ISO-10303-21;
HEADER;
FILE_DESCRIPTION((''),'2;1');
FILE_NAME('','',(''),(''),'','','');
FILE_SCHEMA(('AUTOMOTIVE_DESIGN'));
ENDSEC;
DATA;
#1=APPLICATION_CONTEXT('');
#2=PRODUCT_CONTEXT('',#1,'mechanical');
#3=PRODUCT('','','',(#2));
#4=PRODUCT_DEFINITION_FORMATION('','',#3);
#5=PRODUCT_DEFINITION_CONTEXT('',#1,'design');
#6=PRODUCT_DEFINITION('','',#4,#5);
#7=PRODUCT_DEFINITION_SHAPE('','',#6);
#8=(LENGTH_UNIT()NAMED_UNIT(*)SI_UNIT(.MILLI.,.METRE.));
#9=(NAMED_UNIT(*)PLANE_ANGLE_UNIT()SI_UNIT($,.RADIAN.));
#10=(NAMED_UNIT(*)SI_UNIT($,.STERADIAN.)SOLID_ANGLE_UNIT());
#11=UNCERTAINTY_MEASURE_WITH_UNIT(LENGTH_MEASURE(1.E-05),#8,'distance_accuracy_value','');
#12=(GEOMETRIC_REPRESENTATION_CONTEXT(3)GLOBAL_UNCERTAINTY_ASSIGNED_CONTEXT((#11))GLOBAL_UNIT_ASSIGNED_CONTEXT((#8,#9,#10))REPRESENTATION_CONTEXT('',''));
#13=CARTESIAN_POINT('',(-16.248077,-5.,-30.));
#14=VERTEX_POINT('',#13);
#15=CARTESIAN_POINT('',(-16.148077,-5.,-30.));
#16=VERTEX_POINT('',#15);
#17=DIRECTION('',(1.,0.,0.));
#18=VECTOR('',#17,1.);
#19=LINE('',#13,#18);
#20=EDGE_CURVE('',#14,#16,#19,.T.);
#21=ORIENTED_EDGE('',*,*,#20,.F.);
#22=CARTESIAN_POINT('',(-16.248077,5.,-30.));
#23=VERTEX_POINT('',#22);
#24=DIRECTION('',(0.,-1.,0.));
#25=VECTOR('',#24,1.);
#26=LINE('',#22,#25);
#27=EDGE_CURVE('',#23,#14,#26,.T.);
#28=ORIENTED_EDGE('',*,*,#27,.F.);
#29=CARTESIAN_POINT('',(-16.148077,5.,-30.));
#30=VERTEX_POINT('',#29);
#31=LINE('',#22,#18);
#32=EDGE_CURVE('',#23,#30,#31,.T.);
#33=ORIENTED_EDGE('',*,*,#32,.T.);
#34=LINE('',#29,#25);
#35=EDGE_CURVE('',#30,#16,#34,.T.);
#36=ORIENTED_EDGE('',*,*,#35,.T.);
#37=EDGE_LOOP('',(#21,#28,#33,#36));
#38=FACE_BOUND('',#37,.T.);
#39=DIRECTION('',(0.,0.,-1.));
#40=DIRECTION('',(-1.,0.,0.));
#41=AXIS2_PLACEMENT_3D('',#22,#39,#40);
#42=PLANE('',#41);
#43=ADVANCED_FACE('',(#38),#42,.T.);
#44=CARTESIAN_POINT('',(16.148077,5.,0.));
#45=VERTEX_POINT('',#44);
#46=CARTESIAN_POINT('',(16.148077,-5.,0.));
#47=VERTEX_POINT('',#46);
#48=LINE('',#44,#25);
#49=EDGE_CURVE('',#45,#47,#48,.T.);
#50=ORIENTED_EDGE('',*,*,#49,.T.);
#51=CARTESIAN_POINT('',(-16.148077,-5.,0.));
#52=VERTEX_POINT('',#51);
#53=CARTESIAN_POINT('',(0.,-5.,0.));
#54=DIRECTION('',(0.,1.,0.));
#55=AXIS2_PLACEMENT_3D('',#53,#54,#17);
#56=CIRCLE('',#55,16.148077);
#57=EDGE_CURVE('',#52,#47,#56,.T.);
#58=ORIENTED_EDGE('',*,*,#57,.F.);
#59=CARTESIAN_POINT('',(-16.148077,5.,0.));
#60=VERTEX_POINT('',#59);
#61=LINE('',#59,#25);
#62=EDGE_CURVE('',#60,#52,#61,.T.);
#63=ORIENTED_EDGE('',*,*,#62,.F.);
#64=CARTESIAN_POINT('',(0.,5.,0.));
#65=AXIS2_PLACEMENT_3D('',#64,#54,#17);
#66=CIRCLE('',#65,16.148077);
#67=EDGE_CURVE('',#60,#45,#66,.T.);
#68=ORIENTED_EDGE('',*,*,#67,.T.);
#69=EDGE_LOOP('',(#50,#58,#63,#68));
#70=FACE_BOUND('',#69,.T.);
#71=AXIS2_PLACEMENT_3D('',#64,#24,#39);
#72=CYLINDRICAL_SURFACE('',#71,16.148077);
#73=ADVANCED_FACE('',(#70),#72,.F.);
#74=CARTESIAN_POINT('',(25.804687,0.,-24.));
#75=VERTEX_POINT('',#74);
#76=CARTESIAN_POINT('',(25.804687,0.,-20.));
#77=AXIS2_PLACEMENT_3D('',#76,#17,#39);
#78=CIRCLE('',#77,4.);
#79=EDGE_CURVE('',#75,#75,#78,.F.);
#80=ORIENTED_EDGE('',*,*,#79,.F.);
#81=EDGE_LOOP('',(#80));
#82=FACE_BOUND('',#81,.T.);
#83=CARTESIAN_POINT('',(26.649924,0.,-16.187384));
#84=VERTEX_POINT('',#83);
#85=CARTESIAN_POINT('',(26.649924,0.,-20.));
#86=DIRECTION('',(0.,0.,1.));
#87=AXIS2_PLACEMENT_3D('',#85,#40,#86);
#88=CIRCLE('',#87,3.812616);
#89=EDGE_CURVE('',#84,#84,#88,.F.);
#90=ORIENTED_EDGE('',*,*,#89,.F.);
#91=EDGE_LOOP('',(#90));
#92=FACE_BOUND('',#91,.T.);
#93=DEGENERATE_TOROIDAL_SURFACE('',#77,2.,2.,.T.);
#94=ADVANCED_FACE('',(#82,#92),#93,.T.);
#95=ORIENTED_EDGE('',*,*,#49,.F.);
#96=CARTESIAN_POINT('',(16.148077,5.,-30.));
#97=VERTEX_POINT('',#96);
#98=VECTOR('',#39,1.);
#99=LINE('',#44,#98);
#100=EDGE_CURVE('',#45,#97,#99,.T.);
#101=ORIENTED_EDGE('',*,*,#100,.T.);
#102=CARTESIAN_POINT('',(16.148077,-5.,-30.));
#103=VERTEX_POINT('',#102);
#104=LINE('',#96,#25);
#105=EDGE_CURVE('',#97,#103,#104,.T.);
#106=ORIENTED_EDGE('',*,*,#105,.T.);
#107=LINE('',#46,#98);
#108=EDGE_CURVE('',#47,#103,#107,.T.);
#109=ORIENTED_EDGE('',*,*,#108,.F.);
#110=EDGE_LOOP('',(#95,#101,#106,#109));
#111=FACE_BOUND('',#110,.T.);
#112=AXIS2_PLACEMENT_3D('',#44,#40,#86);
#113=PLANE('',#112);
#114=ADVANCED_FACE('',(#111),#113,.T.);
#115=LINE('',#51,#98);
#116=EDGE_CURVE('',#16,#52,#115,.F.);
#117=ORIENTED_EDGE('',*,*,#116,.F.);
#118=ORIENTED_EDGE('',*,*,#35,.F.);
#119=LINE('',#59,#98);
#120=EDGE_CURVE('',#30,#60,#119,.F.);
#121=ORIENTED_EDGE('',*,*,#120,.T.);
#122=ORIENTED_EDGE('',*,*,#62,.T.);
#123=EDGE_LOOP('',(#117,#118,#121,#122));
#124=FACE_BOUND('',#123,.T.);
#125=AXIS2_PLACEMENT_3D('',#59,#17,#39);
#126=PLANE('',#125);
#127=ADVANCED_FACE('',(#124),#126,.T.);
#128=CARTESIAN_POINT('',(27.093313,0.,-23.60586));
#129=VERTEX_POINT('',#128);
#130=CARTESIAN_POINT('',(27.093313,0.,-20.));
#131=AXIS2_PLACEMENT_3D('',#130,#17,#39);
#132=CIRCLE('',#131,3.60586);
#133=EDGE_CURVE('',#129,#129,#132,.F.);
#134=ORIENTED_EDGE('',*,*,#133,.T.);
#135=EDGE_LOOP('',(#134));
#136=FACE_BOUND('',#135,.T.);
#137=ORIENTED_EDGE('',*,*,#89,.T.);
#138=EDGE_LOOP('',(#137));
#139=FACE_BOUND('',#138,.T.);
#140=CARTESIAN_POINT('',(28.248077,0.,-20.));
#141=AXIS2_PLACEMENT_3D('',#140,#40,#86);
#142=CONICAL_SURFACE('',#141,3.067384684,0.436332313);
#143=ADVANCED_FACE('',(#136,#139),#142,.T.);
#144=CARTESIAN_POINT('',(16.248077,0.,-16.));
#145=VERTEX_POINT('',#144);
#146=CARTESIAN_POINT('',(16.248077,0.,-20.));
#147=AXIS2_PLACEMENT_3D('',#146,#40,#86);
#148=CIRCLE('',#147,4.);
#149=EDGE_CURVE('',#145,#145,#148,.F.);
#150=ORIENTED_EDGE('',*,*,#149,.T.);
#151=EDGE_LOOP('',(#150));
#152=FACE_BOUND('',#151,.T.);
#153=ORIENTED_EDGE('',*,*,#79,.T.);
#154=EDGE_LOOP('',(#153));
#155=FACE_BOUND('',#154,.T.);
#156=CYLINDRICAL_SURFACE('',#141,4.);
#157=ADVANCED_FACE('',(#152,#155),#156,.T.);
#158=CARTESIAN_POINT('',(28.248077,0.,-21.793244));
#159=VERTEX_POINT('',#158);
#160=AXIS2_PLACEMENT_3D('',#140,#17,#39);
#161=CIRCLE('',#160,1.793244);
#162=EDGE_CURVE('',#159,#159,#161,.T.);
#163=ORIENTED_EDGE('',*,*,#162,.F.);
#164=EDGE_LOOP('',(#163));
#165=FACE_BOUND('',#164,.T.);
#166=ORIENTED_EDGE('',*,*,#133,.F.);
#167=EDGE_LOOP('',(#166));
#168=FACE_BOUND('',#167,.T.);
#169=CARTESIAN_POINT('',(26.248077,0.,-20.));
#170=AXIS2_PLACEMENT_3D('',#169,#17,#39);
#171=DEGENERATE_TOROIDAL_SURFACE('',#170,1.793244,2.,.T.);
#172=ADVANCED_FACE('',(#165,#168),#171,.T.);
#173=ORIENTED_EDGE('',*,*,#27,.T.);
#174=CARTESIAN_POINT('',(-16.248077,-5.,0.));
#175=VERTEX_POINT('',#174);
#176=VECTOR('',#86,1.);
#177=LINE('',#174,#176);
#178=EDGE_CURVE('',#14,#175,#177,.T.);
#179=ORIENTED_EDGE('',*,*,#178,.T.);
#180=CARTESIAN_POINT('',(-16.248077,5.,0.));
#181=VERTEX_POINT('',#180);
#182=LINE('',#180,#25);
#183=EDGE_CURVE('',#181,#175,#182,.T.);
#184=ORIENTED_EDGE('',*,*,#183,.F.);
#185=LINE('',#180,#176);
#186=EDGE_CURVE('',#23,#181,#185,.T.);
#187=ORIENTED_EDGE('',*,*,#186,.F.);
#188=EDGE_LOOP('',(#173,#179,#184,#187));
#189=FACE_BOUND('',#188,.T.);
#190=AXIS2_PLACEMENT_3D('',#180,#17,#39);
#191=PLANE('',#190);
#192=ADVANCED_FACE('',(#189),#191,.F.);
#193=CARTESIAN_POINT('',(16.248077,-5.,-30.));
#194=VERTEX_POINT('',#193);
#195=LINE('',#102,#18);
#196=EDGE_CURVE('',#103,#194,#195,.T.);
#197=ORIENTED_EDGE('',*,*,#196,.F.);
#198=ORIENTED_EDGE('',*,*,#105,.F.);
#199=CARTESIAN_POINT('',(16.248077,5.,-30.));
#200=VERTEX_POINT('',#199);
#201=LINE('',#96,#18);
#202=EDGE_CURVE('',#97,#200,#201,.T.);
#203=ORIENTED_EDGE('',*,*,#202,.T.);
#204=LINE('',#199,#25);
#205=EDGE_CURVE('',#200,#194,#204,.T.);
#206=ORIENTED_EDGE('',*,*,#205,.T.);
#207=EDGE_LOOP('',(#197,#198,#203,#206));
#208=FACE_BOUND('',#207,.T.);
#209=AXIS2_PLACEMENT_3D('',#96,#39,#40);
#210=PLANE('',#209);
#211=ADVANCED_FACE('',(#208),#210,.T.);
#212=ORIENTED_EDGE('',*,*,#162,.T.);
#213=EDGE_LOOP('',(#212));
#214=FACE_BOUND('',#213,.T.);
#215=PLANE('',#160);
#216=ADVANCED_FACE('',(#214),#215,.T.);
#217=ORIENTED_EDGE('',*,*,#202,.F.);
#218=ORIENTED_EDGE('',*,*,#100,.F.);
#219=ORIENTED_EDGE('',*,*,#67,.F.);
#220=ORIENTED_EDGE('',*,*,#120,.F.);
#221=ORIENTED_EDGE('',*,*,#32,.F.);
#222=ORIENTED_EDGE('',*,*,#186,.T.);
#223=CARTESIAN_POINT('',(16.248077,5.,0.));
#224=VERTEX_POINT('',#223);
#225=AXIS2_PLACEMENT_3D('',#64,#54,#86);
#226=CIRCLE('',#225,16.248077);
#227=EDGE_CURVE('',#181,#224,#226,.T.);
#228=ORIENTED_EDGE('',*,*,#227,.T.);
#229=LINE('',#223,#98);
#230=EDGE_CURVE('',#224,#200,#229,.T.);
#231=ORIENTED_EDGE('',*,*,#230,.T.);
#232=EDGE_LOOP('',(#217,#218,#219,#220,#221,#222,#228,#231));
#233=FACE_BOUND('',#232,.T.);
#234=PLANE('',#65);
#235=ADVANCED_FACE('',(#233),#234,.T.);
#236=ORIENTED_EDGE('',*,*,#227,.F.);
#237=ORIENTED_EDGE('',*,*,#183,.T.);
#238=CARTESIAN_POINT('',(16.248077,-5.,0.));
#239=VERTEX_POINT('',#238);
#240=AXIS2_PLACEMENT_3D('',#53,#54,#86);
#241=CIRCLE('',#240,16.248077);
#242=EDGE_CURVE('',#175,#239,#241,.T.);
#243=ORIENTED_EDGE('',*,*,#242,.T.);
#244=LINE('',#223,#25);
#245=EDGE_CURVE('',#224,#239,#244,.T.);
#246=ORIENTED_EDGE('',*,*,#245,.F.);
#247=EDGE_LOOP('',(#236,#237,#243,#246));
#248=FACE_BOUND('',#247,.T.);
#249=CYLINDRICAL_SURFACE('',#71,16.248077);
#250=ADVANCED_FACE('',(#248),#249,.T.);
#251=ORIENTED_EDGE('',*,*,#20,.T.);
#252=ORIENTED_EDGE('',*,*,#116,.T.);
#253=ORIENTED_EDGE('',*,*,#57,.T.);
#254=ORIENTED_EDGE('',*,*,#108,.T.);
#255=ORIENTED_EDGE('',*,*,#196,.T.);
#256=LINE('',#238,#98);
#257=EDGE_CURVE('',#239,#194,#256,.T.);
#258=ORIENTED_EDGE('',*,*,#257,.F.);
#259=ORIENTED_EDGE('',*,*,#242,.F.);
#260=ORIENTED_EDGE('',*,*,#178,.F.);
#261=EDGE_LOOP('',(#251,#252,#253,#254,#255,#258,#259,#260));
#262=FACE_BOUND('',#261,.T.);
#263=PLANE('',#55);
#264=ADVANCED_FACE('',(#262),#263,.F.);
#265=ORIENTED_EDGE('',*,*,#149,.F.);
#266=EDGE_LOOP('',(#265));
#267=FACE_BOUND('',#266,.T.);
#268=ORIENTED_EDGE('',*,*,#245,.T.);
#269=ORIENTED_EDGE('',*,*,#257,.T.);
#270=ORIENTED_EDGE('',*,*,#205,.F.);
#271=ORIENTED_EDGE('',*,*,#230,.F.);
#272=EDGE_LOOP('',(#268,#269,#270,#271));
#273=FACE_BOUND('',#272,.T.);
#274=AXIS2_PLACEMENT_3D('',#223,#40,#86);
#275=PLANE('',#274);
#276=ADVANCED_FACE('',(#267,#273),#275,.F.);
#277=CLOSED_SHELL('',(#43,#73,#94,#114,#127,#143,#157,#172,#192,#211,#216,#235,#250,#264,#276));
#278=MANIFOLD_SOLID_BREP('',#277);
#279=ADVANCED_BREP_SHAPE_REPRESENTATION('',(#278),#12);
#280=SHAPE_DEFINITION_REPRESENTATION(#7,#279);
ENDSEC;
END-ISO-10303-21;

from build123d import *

# Parameters (mm, degrees)
EXTRUDE_THIN1_DEPTH = 5
SKETCH5_W           = 26.389754353
SKETCH5_H           = 10
BOSS_EXTRUDE1_DEPTH = 0.1
SKETCH6_R           = 4
BOSS_EXTRUDE2_DEPTH = 12
CHAMFER1_SIZE       = 2
CHAMFER1_SIZE2      = 0.932615316
FILLET1_R           = 2


with BuildPart() as part:
    # Sketch3 → Extrude-Thin1 (new body, symmetric)
    with BuildSketch(Plane(origin=(0, 0, 0), x_dir=(1, 0, 0), z_dir=(0, 1, 0))):
        with BuildLine():
            Line((16.248076809, 30), (16.248076809, 0))
            ThreePointArc((16.248076809, 0), (0, -16.248076809), (-16.248076809, 0))
            Line((-16.248076809, 0), (-16.248076809, 30))
            Line((-16.248076809, 30), (-16.148076809, 30))
            Line((-16.148076809, 30), (-16.148076809, 0))
            ThreePointArc((-16.148076809, 0), (0, -16.148076809), (16.148076809, 0))
            Line((16.148076809, 0), (16.148076809, 30))
            Line((16.148076809, 30), (16.248076809, 30))
        make_face()
    extrude(amount=EXTRUDE_THIN1_DEPTH, both=True)

    # Sketch5 → Boss-Extrude1 (add)
    with BuildSketch(Plane.ZY.offset(16.248076809)):
        with Locations((-13.194877177, 0)):
            Rectangle(SKETCH5_W, SKETCH5_H)
    extrude(amount=-BOSS_EXTRUDE1_DEPTH)

    # Sketch6 → Boss-Extrude2 (add)
    with BuildSketch(Plane(origin=(16.248076809, 0, 0), x_dir=(0, 0, -1), z_dir=(1, 0, 0))):
        with Locations((20, 0)):
            Circle(SKETCH6_R)
    extrude(amount=BOSS_EXTRUDE2_DEPTH)

    # Chamfer1
    chamfer1_edges = [part.edges().sort_by_distance(p)[0] for p in [
        (28.248076809, 0, -16),
    ]]
    chamfer1_side = [part.faces().sort_by_distance(p)[0] for p in [
        (22.248076809, 0, -16),
    ]]
    chamfer(chamfer1_edges, length=CHAMFER1_SIZE, length2=CHAMFER1_SIZE2, reference=chamfer1_side[0])

    # Fillet1
    fillet1_edges = [part.edges().sort_by_distance(p)[0] for p in [
        (28.248076809, 0, -16.932615316),
        (26.248076809, 0, -16),
    ]]
    fillet(fillet1_edges, radius=FILLET1_R)


solid = part.part
